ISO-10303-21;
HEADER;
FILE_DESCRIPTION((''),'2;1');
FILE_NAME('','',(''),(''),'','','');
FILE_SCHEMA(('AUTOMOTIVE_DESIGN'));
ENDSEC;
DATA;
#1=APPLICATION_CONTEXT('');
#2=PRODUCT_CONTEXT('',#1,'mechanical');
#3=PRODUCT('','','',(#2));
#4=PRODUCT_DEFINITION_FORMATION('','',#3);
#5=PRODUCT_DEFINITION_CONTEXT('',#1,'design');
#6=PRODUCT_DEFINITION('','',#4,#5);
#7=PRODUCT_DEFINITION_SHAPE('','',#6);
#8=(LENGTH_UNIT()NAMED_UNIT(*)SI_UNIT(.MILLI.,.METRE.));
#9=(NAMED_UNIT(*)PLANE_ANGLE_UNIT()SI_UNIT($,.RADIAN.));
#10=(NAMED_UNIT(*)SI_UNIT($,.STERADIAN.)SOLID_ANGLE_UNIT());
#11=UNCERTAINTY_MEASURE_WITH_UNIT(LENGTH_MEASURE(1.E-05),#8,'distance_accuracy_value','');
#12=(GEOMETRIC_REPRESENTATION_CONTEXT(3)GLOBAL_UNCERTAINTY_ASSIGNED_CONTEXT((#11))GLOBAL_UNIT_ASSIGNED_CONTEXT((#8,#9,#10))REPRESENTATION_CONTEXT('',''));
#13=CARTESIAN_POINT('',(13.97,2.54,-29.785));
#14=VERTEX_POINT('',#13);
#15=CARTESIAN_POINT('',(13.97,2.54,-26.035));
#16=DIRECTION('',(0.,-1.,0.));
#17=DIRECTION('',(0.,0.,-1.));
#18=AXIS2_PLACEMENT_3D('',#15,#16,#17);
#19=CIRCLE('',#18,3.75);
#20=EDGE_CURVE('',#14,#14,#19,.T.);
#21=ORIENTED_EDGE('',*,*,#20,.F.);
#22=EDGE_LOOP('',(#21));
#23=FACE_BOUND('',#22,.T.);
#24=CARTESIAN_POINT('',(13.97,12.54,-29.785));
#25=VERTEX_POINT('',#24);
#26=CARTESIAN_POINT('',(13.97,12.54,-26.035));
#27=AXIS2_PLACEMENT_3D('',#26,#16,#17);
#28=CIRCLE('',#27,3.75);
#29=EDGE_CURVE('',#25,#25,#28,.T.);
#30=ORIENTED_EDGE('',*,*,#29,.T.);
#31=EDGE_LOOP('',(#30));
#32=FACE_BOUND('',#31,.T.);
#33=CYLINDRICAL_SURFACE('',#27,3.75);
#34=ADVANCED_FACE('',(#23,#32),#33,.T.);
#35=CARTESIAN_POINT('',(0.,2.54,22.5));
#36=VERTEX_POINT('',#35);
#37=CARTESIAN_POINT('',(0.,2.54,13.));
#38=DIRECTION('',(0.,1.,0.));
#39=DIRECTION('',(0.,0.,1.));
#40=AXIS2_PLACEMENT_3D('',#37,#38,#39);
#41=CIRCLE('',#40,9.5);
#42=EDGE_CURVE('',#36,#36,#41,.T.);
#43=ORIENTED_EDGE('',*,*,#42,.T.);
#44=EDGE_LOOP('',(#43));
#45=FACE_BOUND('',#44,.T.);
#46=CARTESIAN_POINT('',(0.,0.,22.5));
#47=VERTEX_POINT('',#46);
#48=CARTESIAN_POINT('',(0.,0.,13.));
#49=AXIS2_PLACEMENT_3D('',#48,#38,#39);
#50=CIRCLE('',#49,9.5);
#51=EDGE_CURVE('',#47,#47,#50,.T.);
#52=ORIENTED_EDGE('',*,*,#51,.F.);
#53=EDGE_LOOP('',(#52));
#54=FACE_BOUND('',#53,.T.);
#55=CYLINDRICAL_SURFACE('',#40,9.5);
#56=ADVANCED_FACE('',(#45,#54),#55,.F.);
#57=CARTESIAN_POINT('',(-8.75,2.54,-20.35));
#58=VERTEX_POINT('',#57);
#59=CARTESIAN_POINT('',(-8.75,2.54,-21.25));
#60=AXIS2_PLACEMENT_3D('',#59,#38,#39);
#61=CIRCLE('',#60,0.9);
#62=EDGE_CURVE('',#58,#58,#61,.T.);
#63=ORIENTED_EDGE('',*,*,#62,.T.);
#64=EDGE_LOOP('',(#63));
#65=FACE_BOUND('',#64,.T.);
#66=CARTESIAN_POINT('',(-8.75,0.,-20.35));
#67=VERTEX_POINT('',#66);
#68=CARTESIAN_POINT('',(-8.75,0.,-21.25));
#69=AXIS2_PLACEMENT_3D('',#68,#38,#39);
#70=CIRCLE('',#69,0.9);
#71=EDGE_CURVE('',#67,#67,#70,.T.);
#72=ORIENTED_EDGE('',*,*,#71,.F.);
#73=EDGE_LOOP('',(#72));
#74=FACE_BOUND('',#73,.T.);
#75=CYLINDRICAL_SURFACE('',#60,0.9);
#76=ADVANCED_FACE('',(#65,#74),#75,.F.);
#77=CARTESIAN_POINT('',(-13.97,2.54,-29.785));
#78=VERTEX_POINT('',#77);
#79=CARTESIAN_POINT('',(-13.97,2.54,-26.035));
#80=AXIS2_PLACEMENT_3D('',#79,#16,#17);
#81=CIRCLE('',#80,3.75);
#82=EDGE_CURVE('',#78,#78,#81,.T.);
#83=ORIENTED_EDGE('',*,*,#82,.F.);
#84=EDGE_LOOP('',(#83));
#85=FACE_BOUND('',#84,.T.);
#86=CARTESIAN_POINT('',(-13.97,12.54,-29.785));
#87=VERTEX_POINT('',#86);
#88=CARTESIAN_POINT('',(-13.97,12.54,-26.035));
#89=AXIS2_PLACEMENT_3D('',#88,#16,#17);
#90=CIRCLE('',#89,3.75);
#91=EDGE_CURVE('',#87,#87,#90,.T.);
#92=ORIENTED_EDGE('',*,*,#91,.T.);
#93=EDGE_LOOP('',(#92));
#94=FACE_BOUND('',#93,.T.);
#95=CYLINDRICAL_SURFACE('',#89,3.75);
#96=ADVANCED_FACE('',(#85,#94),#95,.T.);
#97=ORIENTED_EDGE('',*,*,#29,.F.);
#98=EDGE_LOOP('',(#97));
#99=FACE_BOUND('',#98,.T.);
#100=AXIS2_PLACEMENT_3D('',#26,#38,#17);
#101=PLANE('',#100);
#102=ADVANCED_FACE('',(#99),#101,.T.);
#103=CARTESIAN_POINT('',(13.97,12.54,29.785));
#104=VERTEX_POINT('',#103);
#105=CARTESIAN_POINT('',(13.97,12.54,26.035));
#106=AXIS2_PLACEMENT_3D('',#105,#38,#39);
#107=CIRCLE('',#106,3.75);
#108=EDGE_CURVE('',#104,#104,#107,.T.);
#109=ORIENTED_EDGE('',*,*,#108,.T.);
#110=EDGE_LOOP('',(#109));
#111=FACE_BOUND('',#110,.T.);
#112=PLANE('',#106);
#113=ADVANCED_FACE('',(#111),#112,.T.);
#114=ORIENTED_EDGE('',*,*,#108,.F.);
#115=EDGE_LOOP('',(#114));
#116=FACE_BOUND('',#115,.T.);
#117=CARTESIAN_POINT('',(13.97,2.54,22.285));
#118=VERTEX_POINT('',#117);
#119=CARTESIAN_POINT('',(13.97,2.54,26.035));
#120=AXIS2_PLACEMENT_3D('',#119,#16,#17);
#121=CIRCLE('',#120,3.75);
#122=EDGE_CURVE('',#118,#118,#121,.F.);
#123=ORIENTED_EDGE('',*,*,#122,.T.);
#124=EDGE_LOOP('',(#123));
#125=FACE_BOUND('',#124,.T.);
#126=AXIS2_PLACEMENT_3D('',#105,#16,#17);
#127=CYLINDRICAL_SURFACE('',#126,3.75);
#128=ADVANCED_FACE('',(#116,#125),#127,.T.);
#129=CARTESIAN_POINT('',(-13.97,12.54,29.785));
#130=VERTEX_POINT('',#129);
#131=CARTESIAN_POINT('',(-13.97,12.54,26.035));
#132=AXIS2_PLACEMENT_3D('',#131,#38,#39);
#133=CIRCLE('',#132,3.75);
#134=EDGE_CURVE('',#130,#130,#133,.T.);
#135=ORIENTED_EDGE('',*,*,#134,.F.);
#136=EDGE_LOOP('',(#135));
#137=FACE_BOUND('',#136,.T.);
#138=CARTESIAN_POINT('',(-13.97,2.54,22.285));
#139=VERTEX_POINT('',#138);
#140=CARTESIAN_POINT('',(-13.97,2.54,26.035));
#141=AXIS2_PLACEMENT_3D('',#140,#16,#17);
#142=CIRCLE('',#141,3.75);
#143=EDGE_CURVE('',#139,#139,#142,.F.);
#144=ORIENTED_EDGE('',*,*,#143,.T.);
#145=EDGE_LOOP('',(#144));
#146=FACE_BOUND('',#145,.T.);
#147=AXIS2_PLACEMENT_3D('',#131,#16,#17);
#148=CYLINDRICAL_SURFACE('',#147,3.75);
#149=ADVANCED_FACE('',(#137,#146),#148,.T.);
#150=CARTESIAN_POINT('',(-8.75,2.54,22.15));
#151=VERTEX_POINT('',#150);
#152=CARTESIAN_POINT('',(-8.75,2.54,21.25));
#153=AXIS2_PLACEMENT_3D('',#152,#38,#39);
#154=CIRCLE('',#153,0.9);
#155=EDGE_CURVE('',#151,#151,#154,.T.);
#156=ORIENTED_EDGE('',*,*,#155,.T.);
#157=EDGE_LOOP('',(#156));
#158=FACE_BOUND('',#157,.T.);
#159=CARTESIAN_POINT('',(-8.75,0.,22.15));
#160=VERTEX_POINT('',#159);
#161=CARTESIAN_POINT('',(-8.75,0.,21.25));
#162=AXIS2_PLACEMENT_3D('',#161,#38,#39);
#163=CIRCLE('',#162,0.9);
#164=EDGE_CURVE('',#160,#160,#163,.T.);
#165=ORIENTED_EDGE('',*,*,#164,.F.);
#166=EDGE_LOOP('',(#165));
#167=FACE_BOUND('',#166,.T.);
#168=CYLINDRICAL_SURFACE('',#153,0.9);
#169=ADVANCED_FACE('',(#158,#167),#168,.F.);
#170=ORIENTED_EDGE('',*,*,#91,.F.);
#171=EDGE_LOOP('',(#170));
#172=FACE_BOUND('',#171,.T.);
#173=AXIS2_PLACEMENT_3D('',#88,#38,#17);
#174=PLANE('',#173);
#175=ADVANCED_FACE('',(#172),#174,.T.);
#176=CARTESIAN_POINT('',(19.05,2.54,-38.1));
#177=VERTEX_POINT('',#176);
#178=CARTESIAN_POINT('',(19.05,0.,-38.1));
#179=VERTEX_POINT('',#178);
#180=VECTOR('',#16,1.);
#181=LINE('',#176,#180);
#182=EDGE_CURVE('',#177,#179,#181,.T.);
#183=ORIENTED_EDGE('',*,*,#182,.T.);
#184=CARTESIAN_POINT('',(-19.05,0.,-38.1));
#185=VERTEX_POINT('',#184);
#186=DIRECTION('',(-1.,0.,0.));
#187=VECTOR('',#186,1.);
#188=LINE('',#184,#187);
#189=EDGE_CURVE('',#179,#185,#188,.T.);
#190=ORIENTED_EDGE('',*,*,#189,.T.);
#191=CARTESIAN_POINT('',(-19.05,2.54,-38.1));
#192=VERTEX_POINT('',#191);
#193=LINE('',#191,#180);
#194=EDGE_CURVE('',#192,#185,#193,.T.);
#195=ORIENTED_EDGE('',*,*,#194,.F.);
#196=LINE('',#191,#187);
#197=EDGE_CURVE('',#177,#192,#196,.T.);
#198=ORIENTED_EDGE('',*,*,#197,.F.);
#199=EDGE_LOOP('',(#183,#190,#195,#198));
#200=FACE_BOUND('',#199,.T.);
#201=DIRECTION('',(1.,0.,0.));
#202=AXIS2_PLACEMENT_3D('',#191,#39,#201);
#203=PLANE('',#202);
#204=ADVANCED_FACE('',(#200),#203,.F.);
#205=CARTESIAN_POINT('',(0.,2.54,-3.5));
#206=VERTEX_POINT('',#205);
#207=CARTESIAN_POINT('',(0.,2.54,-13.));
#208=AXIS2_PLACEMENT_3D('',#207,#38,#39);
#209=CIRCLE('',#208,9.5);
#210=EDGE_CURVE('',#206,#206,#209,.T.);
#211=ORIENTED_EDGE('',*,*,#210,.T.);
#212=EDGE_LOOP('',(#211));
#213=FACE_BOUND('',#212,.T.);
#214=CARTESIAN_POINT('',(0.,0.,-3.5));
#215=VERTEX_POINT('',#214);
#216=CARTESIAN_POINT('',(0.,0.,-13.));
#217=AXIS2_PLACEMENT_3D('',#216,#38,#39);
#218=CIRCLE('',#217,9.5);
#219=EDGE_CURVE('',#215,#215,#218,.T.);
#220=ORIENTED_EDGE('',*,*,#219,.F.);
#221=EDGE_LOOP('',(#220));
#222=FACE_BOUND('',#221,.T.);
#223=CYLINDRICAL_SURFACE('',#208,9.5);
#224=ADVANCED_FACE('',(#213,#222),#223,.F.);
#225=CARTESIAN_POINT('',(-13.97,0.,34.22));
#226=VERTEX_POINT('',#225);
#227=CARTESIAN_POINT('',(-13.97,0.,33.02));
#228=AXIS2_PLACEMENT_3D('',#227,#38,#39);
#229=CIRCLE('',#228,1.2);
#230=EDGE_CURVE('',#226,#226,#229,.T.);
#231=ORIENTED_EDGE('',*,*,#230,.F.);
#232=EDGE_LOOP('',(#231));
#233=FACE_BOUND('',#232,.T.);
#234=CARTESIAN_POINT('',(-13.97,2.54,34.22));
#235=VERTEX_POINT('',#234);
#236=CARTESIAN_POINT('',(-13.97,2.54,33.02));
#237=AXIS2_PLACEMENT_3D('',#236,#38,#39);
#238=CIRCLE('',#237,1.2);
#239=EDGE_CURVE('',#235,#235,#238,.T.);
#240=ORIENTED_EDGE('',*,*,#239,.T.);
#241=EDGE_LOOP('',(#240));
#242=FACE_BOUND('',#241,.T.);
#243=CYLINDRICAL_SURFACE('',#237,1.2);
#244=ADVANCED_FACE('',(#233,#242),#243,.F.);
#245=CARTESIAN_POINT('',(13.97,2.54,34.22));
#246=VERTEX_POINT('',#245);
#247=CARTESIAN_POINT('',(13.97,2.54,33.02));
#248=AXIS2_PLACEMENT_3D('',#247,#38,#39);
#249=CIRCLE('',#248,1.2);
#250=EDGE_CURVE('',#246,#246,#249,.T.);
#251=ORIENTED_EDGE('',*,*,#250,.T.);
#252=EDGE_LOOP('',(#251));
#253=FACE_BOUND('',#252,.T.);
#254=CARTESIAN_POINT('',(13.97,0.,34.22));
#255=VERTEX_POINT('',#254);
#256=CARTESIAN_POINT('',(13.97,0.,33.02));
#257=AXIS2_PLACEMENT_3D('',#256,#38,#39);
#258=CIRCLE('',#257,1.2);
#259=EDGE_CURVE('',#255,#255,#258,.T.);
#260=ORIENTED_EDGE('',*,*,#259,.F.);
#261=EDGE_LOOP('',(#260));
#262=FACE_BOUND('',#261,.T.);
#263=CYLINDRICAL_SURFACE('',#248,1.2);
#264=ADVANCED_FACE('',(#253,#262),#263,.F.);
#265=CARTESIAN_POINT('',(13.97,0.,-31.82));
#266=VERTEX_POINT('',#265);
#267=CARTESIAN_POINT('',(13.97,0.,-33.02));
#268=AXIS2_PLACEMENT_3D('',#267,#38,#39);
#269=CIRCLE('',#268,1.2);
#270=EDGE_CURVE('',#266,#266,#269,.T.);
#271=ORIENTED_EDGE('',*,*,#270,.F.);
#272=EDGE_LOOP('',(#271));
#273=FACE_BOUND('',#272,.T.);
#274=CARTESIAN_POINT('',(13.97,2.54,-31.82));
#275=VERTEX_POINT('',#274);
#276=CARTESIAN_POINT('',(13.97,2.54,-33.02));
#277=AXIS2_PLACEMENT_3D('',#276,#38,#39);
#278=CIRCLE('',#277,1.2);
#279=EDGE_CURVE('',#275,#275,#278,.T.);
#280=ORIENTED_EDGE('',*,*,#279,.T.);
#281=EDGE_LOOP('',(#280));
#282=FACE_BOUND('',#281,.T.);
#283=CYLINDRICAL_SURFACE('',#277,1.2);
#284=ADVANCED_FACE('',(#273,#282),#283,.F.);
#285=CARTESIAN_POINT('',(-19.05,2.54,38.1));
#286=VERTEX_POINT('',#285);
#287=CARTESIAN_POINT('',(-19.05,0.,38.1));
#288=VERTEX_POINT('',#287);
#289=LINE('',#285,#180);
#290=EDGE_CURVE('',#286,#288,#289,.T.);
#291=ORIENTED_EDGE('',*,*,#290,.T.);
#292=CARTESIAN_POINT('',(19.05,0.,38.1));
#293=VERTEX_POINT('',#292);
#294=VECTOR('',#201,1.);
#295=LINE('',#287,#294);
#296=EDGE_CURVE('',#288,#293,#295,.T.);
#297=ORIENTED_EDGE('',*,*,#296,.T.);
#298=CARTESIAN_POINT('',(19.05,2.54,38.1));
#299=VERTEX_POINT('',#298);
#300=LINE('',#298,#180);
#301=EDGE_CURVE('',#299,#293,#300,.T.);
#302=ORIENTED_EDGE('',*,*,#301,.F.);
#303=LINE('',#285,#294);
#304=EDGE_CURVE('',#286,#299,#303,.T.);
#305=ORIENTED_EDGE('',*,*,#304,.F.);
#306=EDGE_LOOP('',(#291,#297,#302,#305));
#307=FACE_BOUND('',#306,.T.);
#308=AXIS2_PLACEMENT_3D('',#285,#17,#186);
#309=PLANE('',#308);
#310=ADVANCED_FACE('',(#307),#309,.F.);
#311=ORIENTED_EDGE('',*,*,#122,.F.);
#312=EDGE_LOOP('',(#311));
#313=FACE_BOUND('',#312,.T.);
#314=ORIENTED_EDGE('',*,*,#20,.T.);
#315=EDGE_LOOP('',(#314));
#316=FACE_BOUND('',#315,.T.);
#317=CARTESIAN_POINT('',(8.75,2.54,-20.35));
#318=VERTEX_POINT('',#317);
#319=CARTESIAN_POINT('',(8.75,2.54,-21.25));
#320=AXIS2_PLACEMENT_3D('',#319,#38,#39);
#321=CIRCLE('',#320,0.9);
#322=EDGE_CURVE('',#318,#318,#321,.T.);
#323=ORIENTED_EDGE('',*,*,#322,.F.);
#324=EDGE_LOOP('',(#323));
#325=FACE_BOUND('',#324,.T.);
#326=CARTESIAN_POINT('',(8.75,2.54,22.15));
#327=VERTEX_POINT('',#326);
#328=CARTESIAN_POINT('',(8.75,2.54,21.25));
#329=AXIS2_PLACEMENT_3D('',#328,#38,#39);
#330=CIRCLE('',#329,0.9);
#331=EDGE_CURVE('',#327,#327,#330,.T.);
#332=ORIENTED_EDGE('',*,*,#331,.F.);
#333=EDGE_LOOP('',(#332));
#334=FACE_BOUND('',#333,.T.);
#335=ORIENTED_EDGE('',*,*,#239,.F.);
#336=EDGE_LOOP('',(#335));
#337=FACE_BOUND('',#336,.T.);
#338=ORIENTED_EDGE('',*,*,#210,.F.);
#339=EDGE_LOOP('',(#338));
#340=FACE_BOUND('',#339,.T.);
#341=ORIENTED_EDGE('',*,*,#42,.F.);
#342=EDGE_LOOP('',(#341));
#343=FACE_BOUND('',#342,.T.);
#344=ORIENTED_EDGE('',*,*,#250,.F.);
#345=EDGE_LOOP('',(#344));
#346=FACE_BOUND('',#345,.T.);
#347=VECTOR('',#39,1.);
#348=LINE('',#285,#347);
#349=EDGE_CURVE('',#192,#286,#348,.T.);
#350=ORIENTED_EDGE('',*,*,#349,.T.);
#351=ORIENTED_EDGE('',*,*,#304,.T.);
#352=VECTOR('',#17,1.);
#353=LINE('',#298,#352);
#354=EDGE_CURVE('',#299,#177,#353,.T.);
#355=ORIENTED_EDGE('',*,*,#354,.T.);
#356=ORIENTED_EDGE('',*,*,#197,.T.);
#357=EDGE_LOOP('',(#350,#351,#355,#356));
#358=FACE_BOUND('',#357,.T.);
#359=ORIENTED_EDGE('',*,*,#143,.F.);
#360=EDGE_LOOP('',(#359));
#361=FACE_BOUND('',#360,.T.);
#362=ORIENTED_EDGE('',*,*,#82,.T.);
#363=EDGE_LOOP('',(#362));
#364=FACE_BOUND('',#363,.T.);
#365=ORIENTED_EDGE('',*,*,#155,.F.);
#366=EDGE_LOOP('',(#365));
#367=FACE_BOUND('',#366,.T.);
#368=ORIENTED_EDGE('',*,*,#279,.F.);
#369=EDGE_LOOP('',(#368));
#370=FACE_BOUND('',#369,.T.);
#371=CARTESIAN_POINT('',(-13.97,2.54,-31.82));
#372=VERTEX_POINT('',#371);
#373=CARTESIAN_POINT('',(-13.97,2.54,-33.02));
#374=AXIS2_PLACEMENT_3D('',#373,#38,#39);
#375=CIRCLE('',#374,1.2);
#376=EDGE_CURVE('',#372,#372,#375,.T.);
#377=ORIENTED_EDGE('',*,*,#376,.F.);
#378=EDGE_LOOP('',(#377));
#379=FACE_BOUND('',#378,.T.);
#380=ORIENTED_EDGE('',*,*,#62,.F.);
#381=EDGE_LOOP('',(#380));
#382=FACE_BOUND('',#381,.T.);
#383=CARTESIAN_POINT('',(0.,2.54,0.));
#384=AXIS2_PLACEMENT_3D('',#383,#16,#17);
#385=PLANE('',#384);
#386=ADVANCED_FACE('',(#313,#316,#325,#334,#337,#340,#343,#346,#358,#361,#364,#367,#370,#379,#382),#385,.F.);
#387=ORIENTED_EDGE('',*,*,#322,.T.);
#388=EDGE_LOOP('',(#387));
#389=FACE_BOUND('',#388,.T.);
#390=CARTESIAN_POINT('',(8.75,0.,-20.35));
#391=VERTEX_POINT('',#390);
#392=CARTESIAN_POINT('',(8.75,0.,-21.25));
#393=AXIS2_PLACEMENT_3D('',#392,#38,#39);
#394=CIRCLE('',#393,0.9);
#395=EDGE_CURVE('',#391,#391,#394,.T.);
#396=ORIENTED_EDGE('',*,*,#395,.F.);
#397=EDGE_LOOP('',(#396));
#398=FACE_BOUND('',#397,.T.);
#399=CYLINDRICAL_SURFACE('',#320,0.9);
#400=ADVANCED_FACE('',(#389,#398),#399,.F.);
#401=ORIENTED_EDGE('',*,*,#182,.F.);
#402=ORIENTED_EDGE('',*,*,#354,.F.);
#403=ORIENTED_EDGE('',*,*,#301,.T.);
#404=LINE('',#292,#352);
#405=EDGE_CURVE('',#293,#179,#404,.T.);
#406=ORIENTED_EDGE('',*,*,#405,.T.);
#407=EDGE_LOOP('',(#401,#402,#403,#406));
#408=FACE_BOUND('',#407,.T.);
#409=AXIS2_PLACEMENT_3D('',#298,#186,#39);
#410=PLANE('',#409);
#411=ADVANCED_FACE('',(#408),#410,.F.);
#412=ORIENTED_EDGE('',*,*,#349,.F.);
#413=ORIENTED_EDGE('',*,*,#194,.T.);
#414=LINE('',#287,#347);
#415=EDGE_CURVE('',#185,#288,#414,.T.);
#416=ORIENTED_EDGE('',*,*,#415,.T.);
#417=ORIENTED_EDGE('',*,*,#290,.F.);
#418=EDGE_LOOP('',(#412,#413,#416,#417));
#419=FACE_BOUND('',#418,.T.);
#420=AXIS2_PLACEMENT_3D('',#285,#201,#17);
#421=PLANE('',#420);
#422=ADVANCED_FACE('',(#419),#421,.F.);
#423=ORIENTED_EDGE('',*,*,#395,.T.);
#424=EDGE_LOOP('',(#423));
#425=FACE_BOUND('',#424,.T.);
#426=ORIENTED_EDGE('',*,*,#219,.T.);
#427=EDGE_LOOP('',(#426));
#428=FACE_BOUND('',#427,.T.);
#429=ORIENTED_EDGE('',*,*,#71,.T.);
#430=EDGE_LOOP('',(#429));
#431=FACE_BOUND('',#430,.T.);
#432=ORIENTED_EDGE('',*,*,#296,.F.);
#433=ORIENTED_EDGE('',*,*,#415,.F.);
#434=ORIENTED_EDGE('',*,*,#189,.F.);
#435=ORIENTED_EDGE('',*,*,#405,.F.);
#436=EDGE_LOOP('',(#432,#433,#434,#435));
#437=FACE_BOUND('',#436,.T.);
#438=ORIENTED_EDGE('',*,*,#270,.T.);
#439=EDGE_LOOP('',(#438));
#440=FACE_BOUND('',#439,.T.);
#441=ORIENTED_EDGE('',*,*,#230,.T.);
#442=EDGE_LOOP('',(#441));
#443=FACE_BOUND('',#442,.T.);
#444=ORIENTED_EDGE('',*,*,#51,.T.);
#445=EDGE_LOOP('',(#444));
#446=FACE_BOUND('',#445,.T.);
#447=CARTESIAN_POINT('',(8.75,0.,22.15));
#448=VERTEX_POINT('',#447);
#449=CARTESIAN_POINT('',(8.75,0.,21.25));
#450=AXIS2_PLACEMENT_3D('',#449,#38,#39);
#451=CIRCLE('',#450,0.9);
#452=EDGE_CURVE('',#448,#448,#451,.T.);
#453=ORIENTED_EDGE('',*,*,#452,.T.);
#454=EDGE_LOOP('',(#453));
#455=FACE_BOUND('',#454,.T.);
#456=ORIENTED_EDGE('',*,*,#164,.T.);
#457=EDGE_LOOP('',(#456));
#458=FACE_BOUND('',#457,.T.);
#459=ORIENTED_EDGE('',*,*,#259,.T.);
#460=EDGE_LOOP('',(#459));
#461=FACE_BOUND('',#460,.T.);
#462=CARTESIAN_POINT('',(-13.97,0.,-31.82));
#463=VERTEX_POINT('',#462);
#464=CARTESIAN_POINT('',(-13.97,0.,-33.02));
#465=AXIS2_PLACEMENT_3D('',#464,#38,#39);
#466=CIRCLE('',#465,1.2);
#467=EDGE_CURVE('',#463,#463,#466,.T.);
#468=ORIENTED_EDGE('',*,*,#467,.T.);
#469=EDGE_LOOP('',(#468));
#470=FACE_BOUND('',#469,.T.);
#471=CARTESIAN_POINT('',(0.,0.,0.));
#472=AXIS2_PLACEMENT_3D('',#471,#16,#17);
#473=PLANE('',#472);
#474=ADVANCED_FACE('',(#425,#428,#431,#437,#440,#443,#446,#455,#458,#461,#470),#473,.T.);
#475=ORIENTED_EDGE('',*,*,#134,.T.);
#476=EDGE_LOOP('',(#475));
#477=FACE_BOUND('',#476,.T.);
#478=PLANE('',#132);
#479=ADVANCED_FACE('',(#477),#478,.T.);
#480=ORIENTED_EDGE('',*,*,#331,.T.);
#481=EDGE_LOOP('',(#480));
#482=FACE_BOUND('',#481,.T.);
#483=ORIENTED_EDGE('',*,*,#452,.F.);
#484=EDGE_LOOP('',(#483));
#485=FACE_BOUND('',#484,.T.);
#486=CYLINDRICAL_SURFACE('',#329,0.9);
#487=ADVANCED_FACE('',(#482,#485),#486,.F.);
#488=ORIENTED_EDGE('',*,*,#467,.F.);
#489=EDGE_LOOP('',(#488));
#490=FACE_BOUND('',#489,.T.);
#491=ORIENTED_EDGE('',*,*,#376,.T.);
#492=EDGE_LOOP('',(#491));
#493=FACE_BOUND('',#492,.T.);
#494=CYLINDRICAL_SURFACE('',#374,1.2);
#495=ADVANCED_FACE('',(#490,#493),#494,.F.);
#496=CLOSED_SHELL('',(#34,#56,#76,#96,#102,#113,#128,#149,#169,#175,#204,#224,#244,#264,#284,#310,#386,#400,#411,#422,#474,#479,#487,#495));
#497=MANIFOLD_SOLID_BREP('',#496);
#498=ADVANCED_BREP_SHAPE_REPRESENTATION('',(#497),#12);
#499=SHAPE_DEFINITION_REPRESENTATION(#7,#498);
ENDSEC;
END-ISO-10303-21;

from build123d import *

# Parameters (mm, degrees)
SKETCH1_W              = 38.1
SKETCH1_H              = 76.2
BOSS_EXTRUDE1_DEPTH    = 2.54
F_1_0MM_DOWEL_HOLE1_D  = 19
M1_6_CLEARANCE_HOLE1_D = 1.8
M2_CLEARANCE_HOLE4_D   = 2.4
SKETCH15_R             = 3.749999993
BOSS_EXTRUDE2_DEPTH    = 10.000000066


with BuildPart() as part:
    # Sketch1 → Boss-Extrude1 (new body)
    with BuildSketch(Plane(origin=(0, 0, 0), x_dir=(1, 0, 0), z_dir=(0, 1, 0))):
        Rectangle(SKETCH1_W, SKETCH1_H)
    extrude(amount=BOSS_EXTRUDE1_DEPTH)

    # Ø1.0mm Dowel Hole1 (through all)
    with Locations(Plane(origin=(0, 2.54, 0), x_dir=(1, 0, 0), z_dir=(0, 1, 0))):
        with Locations((0, -13.000000035), (0, 13.000000035)):
            Hole(F_1_0MM_DOWEL_HOLE1_D / 2)

    # M1.6 Clearance Hole1 (through all)
    with Locations(Plane(origin=(0, 2.54, 0), x_dir=(1, 0, 0), z_dir=(0, 1, 0))):
        with Locations((8.750000026, 21.250000045), (8.750000026, -21.250000045), (-8.750000026, -21.250000045), (-8.750000026, 21.250000045)):
            Hole(M1_6_CLEARANCE_HOLE1_D / 2)

    # M2 Clearance Hole4 (through all)
    with Locations(Plane(origin=(0, 2.54, 0), x_dir=(1, 0, 0), z_dir=(0, 1, 0))):
        with Locations((-13.97, 33.02), (13.97, 33.02), (-13.97, -33.02), (13.97, -33.02)):
            Hole(M2_CLEARANCE_HOLE4_D / 2)

    # Sketch15 → Boss-Extrude2 (add)
    with BuildSketch(Plane(origin=(0, 2.54, 0), x_dir=(1, 0, 0), z_dir=(0, 1, 0))):
        with Locations((-13.97, -26.035)):
            Circle(SKETCH15_R)
        with Locations((13.97, -26.035)):
            Circle(SKETCH15_R)
    boss_extrude2 = extrude(amount=BOSS_EXTRUDE2_DEPTH)

    # Mirror1: Boss-Extrude2 across plane
    add(boss_extrude2.mirror(Plane.XY))


solid = part.part
